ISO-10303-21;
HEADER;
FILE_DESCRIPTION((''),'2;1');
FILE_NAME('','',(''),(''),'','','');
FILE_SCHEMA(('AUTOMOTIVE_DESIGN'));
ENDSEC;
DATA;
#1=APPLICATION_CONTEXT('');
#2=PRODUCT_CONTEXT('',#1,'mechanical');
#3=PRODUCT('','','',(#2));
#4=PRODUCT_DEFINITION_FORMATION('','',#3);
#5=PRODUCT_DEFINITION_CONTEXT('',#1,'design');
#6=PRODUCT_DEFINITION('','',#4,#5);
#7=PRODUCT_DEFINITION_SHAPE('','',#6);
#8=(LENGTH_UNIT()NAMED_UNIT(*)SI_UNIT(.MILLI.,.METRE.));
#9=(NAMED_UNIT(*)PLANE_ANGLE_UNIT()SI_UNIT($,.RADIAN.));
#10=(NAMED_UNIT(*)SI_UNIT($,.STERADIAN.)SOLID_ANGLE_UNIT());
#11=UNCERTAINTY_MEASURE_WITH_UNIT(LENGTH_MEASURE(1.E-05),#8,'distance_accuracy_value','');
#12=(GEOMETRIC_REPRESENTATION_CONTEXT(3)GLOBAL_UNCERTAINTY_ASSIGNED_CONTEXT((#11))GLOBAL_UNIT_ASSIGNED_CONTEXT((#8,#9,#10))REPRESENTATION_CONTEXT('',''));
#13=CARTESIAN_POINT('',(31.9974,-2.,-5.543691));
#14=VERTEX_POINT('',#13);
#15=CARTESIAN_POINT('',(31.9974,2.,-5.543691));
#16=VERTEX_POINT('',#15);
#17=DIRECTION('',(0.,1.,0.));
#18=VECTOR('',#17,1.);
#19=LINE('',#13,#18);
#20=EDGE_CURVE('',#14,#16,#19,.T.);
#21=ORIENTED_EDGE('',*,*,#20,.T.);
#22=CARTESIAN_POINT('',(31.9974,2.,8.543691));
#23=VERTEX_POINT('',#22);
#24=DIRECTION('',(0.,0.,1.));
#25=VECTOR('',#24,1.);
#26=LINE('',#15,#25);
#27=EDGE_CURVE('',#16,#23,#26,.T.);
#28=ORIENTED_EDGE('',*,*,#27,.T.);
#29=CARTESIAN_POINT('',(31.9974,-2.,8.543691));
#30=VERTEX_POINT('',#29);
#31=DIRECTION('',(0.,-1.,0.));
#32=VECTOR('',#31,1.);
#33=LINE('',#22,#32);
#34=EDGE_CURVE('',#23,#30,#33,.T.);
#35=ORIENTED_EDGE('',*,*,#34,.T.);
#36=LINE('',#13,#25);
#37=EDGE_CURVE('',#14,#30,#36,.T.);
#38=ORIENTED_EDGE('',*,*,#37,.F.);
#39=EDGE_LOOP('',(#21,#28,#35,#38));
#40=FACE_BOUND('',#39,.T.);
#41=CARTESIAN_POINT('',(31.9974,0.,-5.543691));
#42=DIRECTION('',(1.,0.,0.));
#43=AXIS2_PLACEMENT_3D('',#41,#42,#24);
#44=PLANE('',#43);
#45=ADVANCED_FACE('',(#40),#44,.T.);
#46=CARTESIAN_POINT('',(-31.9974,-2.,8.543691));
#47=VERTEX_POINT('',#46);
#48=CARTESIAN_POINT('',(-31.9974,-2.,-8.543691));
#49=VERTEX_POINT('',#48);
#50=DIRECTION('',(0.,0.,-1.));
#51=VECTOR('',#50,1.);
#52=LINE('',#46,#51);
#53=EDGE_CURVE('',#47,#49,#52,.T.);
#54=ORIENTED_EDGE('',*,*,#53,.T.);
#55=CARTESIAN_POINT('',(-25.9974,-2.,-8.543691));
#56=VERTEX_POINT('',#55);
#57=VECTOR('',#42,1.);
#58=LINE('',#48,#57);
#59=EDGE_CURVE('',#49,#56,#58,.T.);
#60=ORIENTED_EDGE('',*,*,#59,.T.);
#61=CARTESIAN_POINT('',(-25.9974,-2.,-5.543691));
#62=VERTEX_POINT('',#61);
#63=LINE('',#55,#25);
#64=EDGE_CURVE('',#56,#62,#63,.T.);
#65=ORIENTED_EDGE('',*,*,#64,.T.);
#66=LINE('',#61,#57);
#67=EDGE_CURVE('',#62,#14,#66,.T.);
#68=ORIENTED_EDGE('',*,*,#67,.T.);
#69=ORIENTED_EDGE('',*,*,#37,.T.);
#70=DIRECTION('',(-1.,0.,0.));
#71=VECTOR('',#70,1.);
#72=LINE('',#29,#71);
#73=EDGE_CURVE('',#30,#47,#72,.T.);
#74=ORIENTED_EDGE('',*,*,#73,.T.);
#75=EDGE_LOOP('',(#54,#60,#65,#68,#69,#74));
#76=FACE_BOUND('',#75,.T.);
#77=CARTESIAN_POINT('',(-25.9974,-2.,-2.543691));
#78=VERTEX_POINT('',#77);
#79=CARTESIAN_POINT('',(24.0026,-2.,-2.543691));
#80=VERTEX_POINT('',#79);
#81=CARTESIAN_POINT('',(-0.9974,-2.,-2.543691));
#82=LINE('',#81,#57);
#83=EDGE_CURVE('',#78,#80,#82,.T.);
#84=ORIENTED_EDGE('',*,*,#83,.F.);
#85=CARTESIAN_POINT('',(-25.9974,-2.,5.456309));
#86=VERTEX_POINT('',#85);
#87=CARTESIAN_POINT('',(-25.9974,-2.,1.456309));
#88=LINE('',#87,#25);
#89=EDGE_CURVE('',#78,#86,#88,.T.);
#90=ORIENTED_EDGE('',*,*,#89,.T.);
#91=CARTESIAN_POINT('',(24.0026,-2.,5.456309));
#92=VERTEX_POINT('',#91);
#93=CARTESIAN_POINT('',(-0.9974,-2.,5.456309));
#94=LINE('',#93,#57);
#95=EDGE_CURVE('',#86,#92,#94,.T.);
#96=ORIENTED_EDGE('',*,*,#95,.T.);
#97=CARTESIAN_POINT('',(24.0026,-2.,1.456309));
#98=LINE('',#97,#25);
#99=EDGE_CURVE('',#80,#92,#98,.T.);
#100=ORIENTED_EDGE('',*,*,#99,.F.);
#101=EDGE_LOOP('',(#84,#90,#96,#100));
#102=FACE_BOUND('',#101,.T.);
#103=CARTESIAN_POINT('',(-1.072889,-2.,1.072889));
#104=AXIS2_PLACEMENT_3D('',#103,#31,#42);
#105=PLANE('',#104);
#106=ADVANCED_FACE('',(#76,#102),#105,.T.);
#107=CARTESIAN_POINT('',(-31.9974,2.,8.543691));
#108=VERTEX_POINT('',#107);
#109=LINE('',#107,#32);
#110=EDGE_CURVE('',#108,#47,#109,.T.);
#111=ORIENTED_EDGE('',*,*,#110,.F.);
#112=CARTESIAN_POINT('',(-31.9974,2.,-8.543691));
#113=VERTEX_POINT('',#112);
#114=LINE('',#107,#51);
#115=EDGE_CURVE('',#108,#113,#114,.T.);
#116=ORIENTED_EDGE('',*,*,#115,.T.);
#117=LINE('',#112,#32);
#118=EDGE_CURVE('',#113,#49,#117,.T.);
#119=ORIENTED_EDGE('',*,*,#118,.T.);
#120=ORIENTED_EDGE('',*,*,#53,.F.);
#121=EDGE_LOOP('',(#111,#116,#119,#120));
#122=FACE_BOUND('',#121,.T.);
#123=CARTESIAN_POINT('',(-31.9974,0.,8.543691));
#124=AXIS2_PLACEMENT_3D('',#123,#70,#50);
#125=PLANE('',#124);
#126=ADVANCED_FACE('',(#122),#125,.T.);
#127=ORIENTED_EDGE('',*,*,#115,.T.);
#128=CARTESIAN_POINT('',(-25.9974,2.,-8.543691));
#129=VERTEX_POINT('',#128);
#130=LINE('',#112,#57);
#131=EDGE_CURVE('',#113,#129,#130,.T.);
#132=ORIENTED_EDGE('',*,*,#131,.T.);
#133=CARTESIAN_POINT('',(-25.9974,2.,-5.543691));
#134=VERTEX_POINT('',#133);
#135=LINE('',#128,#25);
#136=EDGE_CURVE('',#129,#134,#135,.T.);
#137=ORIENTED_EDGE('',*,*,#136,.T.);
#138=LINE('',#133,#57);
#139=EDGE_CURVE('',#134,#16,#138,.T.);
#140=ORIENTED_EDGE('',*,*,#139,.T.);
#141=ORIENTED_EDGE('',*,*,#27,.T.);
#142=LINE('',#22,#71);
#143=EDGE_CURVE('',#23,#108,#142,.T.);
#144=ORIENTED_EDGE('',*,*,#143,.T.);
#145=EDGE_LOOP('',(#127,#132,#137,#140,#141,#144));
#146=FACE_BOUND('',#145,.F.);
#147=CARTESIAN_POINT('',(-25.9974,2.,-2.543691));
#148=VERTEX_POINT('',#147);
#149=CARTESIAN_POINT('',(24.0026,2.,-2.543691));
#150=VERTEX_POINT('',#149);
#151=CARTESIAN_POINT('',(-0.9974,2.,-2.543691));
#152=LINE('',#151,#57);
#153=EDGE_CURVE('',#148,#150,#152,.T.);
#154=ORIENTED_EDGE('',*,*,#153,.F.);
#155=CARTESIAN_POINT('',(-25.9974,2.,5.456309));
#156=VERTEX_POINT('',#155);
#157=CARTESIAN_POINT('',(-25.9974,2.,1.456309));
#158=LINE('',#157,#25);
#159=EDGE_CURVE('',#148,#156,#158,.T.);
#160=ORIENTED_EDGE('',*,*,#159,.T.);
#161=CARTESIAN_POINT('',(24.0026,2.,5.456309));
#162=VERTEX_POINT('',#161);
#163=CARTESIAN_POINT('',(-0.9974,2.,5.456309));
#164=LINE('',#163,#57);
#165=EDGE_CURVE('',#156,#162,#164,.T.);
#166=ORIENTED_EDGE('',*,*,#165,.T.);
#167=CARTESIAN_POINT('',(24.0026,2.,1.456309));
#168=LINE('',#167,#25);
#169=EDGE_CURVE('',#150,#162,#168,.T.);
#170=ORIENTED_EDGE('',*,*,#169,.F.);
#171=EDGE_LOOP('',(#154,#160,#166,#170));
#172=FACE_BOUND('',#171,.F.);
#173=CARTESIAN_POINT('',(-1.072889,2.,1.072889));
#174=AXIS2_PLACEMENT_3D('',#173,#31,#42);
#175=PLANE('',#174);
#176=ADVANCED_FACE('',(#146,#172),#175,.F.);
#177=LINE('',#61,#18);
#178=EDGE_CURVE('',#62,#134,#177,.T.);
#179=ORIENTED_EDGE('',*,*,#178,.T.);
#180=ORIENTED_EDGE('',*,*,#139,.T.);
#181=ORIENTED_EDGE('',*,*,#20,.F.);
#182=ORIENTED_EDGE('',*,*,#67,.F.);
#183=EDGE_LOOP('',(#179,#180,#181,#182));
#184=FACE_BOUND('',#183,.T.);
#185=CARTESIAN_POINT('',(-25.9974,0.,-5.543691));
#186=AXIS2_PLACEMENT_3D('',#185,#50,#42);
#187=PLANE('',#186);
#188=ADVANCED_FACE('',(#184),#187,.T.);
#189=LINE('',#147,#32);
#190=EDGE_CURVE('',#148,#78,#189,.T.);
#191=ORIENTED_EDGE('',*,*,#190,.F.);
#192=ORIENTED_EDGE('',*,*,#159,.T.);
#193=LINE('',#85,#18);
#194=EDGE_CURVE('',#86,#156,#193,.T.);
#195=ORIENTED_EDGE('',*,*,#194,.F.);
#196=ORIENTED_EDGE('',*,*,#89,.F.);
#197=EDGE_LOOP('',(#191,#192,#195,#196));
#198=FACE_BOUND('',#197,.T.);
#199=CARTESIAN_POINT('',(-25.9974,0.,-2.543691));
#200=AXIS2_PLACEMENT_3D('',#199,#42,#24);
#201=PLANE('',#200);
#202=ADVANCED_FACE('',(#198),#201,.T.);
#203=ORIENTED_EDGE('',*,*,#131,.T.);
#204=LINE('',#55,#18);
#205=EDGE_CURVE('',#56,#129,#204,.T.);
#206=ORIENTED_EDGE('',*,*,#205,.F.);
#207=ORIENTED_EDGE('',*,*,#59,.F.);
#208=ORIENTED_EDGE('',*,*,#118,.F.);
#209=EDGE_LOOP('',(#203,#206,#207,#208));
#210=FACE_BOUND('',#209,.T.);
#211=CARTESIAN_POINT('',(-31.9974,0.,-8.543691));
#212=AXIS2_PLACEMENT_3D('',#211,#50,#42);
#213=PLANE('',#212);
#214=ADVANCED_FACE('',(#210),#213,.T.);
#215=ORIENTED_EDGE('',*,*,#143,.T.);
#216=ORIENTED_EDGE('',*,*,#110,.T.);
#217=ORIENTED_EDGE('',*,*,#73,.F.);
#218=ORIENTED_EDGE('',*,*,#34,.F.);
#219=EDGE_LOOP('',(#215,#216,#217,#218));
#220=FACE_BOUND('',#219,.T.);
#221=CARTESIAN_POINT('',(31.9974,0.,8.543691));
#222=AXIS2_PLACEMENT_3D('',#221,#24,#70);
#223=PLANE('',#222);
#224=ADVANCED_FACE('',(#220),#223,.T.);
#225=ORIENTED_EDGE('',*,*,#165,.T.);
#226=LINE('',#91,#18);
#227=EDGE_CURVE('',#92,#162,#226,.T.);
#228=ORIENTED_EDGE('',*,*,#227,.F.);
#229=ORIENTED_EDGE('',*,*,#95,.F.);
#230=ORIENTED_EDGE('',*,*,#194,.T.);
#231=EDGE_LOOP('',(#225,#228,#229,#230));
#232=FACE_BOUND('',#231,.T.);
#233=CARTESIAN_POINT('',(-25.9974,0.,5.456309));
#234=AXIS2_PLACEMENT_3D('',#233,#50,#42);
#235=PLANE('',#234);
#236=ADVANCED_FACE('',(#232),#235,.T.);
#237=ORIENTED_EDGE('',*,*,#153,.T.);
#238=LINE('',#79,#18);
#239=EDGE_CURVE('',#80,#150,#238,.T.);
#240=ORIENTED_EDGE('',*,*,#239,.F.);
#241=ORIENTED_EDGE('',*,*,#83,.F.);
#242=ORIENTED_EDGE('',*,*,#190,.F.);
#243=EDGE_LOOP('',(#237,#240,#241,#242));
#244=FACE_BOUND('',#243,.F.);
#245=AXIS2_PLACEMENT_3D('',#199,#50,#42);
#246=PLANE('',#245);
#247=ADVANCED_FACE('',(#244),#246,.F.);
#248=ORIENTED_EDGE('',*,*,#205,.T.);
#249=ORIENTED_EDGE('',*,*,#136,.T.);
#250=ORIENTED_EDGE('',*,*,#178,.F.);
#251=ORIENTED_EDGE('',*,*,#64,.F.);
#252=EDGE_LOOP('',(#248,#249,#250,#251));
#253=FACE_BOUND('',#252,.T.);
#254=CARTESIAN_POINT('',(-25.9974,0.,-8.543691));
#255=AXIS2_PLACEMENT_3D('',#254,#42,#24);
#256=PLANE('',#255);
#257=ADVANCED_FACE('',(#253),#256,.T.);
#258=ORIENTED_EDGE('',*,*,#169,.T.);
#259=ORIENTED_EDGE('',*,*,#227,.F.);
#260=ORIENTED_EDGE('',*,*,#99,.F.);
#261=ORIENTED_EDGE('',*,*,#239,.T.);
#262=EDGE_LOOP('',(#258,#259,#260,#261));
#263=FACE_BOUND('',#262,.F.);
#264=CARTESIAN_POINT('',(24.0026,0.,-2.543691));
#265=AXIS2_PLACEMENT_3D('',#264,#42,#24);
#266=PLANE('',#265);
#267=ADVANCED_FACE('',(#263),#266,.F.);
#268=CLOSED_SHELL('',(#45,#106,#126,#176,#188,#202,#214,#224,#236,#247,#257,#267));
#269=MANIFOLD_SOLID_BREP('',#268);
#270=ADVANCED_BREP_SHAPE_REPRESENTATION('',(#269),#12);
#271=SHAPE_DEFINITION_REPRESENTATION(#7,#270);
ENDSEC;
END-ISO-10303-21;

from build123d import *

# Parameters (mm, degrees)
F0_W     = 50
F0_H     = 8
F1_DEPTH = 2


with BuildPart() as f1:
    # F0 (on Front) → F1 (new body, symmetric)
    with BuildSketch(Plane.XZ):
        Polygon((31.9974, -5.5436906666), (31.9974, 8.5436906666), (-31.9974, 8.5436906666), (-31.9974, -8.5436906666), (-25.9974, -8.5436906666), (-25.9974, -5.5436906666), align=None)
        with Locations((-0.9974, 1.4563093334)):
            Rectangle(F0_W, F0_H, mode=Mode.SUBTRACT)
    extrude(amount=F1_DEPTH, both=True)


solid = f1.part
